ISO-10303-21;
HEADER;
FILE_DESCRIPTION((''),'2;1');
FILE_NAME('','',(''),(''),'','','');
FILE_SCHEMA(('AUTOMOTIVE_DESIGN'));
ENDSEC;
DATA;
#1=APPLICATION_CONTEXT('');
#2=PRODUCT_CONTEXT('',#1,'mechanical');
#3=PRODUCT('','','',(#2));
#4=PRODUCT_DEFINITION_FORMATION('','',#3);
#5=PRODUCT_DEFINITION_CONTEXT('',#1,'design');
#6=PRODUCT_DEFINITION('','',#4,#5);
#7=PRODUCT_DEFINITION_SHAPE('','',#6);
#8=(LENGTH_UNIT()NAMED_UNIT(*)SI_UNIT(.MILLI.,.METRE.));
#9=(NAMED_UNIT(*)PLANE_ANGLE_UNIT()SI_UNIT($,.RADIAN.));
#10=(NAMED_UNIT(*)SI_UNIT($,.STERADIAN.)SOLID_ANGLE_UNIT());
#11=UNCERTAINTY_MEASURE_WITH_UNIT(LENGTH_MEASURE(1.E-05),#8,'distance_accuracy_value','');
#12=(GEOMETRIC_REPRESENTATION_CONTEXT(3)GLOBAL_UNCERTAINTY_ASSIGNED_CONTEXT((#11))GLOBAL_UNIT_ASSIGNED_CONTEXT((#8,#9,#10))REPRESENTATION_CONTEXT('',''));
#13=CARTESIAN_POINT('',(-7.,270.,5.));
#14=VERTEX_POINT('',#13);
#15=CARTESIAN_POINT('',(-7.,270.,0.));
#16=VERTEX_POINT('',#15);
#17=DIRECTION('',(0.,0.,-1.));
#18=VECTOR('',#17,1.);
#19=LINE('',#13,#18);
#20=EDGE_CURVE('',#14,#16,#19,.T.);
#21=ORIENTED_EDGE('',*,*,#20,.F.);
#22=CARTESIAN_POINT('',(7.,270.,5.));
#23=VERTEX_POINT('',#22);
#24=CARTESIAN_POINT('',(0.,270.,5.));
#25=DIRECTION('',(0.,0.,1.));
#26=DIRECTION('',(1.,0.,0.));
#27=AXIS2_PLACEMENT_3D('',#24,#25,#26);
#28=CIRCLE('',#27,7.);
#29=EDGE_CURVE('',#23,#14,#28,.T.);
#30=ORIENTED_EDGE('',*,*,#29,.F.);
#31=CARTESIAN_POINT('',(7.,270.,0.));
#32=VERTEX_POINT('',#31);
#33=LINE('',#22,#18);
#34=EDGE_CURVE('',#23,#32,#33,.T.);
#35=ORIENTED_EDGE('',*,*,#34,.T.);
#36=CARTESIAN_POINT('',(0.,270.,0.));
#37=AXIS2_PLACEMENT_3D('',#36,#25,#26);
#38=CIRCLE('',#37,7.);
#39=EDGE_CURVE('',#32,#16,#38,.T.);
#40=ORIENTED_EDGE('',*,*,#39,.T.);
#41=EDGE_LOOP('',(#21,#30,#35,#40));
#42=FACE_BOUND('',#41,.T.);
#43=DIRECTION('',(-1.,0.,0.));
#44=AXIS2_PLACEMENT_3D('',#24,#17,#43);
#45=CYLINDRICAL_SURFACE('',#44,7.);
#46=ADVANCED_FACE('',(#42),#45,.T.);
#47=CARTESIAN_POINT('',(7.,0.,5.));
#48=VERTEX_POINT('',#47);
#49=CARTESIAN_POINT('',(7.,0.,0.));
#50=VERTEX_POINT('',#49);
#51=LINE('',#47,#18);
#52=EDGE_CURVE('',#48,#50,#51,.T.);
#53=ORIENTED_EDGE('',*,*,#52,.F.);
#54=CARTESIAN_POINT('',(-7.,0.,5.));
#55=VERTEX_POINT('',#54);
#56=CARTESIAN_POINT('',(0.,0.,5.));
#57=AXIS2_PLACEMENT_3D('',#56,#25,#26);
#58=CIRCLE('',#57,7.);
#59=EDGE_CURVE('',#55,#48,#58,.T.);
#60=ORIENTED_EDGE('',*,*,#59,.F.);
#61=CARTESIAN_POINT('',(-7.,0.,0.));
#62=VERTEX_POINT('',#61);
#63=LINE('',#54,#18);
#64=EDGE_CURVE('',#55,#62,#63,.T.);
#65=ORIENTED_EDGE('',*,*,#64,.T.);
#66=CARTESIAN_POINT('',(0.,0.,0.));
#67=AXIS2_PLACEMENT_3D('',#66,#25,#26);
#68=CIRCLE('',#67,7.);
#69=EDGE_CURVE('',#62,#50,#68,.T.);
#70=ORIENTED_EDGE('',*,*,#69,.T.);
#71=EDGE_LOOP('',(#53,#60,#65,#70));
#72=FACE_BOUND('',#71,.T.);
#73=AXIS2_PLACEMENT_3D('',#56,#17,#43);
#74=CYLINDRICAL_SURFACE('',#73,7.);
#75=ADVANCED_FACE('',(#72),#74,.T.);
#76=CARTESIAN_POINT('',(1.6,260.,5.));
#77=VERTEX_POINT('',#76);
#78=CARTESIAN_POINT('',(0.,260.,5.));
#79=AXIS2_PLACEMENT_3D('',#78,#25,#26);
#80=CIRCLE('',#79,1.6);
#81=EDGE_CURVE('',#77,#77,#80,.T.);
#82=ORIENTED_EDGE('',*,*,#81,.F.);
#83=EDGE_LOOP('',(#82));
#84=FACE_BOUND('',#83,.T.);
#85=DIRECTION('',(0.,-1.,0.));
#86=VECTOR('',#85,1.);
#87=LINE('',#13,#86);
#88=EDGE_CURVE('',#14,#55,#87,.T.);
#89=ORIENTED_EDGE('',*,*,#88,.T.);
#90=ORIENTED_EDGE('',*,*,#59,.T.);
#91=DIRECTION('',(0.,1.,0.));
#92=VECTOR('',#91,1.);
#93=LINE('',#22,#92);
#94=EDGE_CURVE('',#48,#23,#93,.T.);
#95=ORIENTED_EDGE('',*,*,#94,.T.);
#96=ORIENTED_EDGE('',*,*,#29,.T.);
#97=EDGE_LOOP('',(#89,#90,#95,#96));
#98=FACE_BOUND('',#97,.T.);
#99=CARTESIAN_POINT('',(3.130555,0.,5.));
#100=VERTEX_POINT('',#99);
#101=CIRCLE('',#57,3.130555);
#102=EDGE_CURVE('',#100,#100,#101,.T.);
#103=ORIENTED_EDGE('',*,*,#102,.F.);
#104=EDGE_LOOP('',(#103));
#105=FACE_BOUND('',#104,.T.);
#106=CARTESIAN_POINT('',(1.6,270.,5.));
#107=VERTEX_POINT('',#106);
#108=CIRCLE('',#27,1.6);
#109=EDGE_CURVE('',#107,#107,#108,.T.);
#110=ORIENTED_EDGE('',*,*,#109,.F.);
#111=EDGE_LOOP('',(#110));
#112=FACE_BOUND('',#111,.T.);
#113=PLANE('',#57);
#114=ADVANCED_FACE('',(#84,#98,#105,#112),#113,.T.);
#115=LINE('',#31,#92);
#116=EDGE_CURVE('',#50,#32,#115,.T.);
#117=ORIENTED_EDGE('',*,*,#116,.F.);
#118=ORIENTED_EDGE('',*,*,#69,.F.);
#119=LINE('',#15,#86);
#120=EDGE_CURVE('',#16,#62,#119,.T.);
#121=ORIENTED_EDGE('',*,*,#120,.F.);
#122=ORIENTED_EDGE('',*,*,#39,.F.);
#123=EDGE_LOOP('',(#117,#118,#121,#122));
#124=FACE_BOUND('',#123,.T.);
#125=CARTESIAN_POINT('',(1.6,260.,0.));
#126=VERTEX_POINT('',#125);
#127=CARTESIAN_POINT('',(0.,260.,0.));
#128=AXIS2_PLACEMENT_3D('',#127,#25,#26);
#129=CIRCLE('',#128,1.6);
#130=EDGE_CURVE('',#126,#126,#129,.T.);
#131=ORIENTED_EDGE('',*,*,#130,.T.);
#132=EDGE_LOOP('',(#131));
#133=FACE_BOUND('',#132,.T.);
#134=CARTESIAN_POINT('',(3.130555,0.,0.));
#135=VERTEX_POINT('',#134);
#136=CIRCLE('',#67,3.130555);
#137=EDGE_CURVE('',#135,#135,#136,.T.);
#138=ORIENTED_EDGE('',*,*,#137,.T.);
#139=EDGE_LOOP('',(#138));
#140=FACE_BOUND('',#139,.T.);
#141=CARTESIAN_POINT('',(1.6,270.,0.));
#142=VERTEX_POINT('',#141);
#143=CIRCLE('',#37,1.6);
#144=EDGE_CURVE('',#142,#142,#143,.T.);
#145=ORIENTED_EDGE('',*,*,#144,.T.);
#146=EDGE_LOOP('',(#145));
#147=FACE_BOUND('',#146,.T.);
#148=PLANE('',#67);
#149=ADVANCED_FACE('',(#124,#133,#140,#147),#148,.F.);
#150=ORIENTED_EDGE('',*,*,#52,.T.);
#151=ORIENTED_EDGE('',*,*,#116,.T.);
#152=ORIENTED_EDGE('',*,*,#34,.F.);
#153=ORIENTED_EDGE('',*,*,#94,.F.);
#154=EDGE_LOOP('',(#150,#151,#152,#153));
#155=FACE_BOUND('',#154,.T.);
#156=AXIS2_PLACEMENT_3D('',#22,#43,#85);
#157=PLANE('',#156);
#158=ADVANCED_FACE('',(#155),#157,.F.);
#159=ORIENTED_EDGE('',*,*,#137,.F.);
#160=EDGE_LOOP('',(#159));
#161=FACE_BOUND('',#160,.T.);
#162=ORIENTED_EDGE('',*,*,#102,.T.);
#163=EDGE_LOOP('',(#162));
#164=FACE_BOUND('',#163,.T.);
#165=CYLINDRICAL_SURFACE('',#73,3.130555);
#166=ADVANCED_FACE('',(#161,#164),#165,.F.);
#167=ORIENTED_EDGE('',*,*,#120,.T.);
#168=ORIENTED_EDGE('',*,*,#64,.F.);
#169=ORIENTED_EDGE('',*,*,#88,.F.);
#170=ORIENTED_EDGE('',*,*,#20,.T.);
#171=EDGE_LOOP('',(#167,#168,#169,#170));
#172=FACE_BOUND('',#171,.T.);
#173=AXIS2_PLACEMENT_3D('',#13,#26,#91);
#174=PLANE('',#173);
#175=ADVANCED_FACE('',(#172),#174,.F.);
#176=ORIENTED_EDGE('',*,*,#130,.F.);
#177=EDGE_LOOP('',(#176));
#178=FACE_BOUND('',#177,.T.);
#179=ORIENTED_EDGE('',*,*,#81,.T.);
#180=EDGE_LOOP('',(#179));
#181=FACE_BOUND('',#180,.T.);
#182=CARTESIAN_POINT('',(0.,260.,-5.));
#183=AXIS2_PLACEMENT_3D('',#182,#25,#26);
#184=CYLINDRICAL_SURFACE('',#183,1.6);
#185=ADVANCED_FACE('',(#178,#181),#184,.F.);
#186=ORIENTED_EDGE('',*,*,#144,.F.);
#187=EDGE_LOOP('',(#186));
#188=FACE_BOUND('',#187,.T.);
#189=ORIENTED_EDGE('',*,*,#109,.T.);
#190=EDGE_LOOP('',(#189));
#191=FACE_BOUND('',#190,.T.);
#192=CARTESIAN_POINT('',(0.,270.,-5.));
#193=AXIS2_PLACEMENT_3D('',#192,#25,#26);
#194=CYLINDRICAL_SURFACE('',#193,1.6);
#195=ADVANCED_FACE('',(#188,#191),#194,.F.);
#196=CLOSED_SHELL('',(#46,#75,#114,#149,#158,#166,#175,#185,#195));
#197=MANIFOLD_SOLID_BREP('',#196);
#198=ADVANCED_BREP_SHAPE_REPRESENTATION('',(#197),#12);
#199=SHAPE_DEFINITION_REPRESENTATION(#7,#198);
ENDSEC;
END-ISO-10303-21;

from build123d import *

# Parameters (mm, degrees)
SKETCH1_R           = 3.130555183
BOSS_EXTRUDE1_DEPTH = 5
SKETCH2_R           = 1.6
CUT_EXTRUDE1_DEPTH  = 10


with BuildPart() as part:
    # Sketch1 → Boss-Extrude1 (new body)
    with BuildSketch(Plane.XY):
        with BuildLine():
            Line((7, 270), (7, 0))
            ThreePointArc((7, 0), (0, -7), (-7, 0))
            Line((-7, 0), (-7, 270))
            ThreePointArc((-7, 270), (0, 277), (7, 270))
        make_face()
        Circle(SKETCH1_R, mode=Mode.SUBTRACT)
    extrude(amount=BOSS_EXTRUDE1_DEPTH)

    # Sketch2 → Cut-Extrude1 (cut)
    with BuildSketch(Plane.XY.offset(5)):
        with Locations((0, 270)):
            Circle(SKETCH2_R)
        with Locations((0, 260)):
            Circle(SKETCH2_R)
    extrude(amount=-CUT_EXTRUDE1_DEPTH, mode=Mode.SUBTRACT)


solid = part.part
